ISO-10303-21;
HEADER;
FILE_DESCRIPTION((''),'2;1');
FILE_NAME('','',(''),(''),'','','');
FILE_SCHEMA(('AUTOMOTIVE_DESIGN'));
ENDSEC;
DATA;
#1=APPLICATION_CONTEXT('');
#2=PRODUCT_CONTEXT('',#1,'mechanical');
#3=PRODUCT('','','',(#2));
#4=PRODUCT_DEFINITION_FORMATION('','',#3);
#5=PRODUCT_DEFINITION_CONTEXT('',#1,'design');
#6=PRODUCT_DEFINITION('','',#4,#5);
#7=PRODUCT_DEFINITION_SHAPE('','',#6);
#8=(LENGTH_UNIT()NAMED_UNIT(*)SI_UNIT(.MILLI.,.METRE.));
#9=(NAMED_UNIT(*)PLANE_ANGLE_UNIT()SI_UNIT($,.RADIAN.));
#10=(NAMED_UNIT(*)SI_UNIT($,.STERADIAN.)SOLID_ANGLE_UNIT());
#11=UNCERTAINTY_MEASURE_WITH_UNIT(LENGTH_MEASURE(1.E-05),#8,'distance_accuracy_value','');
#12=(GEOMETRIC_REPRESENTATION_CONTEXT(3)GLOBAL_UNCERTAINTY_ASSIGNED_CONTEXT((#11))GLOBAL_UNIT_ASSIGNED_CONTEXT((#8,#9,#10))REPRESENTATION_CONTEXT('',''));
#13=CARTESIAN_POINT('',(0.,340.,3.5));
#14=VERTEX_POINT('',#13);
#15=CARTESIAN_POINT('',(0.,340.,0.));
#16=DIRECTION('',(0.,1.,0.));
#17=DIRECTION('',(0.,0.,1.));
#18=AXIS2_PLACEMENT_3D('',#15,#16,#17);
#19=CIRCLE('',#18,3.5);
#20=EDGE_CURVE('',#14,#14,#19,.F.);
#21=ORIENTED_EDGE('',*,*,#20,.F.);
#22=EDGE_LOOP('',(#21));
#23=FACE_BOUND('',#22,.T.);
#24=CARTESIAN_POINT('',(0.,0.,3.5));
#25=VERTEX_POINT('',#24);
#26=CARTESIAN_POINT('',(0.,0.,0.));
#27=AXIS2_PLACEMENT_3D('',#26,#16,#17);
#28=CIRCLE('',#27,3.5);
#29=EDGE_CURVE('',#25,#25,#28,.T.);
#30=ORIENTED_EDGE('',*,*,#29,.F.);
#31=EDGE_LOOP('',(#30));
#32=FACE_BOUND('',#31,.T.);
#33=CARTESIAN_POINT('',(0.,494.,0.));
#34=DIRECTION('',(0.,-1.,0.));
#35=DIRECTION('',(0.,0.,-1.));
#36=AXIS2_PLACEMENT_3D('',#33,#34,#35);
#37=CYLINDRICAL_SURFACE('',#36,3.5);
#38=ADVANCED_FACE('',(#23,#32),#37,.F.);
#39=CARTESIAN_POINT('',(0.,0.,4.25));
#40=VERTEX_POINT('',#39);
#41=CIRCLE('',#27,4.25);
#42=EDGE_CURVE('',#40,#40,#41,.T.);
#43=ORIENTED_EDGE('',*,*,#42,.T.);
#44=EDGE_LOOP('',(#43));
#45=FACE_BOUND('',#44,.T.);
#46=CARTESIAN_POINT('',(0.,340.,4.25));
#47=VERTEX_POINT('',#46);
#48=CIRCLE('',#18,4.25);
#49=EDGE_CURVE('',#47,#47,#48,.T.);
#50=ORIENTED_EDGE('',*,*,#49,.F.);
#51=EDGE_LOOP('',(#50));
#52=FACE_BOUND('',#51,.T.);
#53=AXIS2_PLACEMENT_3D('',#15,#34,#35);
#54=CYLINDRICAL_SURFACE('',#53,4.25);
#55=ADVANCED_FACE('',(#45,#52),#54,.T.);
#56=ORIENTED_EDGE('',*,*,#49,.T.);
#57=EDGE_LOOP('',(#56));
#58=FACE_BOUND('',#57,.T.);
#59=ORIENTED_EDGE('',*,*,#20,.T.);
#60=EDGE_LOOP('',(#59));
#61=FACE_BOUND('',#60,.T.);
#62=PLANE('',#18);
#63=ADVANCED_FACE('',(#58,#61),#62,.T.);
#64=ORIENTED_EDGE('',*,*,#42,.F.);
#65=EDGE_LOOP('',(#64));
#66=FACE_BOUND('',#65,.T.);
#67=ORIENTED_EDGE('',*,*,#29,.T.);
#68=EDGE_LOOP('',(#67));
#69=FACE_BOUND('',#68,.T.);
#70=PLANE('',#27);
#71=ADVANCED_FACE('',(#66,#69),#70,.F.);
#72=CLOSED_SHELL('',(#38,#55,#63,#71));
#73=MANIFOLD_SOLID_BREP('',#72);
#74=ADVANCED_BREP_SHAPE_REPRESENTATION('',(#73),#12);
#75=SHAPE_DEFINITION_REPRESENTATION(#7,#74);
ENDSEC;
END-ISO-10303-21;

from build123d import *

# Parameters (mm, degrees)
SKETCH_1_R          = 4.25
EXTRUDE_1_DEPTH     = 340
SKETCH_2_R          = 3.5
CUT_EXTRUDE_1_DEPTH = 494


with BuildPart() as part:
    # 草图1 → 凸台-拉伸1 (new body)
    with BuildSketch(Plane(origin=(0, 0, 0), x_dir=(1, 0, 0), z_dir=(0, 1, 0))):
        Circle(SKETCH_1_R)
    extrude(amount=EXTRUDE_1_DEPTH)

    # 草图2 → 切除-拉伸1 (cut)
    with BuildSketch(Plane(origin=(0, 0, 0), x_dir=(1, 0, 0), z_dir=(0, 1, 0))):
        Circle(SKETCH_2_R)
    extrude(amount=CUT_EXTRUDE_1_DEPTH, mode=Mode.SUBTRACT)


solid = part.part
